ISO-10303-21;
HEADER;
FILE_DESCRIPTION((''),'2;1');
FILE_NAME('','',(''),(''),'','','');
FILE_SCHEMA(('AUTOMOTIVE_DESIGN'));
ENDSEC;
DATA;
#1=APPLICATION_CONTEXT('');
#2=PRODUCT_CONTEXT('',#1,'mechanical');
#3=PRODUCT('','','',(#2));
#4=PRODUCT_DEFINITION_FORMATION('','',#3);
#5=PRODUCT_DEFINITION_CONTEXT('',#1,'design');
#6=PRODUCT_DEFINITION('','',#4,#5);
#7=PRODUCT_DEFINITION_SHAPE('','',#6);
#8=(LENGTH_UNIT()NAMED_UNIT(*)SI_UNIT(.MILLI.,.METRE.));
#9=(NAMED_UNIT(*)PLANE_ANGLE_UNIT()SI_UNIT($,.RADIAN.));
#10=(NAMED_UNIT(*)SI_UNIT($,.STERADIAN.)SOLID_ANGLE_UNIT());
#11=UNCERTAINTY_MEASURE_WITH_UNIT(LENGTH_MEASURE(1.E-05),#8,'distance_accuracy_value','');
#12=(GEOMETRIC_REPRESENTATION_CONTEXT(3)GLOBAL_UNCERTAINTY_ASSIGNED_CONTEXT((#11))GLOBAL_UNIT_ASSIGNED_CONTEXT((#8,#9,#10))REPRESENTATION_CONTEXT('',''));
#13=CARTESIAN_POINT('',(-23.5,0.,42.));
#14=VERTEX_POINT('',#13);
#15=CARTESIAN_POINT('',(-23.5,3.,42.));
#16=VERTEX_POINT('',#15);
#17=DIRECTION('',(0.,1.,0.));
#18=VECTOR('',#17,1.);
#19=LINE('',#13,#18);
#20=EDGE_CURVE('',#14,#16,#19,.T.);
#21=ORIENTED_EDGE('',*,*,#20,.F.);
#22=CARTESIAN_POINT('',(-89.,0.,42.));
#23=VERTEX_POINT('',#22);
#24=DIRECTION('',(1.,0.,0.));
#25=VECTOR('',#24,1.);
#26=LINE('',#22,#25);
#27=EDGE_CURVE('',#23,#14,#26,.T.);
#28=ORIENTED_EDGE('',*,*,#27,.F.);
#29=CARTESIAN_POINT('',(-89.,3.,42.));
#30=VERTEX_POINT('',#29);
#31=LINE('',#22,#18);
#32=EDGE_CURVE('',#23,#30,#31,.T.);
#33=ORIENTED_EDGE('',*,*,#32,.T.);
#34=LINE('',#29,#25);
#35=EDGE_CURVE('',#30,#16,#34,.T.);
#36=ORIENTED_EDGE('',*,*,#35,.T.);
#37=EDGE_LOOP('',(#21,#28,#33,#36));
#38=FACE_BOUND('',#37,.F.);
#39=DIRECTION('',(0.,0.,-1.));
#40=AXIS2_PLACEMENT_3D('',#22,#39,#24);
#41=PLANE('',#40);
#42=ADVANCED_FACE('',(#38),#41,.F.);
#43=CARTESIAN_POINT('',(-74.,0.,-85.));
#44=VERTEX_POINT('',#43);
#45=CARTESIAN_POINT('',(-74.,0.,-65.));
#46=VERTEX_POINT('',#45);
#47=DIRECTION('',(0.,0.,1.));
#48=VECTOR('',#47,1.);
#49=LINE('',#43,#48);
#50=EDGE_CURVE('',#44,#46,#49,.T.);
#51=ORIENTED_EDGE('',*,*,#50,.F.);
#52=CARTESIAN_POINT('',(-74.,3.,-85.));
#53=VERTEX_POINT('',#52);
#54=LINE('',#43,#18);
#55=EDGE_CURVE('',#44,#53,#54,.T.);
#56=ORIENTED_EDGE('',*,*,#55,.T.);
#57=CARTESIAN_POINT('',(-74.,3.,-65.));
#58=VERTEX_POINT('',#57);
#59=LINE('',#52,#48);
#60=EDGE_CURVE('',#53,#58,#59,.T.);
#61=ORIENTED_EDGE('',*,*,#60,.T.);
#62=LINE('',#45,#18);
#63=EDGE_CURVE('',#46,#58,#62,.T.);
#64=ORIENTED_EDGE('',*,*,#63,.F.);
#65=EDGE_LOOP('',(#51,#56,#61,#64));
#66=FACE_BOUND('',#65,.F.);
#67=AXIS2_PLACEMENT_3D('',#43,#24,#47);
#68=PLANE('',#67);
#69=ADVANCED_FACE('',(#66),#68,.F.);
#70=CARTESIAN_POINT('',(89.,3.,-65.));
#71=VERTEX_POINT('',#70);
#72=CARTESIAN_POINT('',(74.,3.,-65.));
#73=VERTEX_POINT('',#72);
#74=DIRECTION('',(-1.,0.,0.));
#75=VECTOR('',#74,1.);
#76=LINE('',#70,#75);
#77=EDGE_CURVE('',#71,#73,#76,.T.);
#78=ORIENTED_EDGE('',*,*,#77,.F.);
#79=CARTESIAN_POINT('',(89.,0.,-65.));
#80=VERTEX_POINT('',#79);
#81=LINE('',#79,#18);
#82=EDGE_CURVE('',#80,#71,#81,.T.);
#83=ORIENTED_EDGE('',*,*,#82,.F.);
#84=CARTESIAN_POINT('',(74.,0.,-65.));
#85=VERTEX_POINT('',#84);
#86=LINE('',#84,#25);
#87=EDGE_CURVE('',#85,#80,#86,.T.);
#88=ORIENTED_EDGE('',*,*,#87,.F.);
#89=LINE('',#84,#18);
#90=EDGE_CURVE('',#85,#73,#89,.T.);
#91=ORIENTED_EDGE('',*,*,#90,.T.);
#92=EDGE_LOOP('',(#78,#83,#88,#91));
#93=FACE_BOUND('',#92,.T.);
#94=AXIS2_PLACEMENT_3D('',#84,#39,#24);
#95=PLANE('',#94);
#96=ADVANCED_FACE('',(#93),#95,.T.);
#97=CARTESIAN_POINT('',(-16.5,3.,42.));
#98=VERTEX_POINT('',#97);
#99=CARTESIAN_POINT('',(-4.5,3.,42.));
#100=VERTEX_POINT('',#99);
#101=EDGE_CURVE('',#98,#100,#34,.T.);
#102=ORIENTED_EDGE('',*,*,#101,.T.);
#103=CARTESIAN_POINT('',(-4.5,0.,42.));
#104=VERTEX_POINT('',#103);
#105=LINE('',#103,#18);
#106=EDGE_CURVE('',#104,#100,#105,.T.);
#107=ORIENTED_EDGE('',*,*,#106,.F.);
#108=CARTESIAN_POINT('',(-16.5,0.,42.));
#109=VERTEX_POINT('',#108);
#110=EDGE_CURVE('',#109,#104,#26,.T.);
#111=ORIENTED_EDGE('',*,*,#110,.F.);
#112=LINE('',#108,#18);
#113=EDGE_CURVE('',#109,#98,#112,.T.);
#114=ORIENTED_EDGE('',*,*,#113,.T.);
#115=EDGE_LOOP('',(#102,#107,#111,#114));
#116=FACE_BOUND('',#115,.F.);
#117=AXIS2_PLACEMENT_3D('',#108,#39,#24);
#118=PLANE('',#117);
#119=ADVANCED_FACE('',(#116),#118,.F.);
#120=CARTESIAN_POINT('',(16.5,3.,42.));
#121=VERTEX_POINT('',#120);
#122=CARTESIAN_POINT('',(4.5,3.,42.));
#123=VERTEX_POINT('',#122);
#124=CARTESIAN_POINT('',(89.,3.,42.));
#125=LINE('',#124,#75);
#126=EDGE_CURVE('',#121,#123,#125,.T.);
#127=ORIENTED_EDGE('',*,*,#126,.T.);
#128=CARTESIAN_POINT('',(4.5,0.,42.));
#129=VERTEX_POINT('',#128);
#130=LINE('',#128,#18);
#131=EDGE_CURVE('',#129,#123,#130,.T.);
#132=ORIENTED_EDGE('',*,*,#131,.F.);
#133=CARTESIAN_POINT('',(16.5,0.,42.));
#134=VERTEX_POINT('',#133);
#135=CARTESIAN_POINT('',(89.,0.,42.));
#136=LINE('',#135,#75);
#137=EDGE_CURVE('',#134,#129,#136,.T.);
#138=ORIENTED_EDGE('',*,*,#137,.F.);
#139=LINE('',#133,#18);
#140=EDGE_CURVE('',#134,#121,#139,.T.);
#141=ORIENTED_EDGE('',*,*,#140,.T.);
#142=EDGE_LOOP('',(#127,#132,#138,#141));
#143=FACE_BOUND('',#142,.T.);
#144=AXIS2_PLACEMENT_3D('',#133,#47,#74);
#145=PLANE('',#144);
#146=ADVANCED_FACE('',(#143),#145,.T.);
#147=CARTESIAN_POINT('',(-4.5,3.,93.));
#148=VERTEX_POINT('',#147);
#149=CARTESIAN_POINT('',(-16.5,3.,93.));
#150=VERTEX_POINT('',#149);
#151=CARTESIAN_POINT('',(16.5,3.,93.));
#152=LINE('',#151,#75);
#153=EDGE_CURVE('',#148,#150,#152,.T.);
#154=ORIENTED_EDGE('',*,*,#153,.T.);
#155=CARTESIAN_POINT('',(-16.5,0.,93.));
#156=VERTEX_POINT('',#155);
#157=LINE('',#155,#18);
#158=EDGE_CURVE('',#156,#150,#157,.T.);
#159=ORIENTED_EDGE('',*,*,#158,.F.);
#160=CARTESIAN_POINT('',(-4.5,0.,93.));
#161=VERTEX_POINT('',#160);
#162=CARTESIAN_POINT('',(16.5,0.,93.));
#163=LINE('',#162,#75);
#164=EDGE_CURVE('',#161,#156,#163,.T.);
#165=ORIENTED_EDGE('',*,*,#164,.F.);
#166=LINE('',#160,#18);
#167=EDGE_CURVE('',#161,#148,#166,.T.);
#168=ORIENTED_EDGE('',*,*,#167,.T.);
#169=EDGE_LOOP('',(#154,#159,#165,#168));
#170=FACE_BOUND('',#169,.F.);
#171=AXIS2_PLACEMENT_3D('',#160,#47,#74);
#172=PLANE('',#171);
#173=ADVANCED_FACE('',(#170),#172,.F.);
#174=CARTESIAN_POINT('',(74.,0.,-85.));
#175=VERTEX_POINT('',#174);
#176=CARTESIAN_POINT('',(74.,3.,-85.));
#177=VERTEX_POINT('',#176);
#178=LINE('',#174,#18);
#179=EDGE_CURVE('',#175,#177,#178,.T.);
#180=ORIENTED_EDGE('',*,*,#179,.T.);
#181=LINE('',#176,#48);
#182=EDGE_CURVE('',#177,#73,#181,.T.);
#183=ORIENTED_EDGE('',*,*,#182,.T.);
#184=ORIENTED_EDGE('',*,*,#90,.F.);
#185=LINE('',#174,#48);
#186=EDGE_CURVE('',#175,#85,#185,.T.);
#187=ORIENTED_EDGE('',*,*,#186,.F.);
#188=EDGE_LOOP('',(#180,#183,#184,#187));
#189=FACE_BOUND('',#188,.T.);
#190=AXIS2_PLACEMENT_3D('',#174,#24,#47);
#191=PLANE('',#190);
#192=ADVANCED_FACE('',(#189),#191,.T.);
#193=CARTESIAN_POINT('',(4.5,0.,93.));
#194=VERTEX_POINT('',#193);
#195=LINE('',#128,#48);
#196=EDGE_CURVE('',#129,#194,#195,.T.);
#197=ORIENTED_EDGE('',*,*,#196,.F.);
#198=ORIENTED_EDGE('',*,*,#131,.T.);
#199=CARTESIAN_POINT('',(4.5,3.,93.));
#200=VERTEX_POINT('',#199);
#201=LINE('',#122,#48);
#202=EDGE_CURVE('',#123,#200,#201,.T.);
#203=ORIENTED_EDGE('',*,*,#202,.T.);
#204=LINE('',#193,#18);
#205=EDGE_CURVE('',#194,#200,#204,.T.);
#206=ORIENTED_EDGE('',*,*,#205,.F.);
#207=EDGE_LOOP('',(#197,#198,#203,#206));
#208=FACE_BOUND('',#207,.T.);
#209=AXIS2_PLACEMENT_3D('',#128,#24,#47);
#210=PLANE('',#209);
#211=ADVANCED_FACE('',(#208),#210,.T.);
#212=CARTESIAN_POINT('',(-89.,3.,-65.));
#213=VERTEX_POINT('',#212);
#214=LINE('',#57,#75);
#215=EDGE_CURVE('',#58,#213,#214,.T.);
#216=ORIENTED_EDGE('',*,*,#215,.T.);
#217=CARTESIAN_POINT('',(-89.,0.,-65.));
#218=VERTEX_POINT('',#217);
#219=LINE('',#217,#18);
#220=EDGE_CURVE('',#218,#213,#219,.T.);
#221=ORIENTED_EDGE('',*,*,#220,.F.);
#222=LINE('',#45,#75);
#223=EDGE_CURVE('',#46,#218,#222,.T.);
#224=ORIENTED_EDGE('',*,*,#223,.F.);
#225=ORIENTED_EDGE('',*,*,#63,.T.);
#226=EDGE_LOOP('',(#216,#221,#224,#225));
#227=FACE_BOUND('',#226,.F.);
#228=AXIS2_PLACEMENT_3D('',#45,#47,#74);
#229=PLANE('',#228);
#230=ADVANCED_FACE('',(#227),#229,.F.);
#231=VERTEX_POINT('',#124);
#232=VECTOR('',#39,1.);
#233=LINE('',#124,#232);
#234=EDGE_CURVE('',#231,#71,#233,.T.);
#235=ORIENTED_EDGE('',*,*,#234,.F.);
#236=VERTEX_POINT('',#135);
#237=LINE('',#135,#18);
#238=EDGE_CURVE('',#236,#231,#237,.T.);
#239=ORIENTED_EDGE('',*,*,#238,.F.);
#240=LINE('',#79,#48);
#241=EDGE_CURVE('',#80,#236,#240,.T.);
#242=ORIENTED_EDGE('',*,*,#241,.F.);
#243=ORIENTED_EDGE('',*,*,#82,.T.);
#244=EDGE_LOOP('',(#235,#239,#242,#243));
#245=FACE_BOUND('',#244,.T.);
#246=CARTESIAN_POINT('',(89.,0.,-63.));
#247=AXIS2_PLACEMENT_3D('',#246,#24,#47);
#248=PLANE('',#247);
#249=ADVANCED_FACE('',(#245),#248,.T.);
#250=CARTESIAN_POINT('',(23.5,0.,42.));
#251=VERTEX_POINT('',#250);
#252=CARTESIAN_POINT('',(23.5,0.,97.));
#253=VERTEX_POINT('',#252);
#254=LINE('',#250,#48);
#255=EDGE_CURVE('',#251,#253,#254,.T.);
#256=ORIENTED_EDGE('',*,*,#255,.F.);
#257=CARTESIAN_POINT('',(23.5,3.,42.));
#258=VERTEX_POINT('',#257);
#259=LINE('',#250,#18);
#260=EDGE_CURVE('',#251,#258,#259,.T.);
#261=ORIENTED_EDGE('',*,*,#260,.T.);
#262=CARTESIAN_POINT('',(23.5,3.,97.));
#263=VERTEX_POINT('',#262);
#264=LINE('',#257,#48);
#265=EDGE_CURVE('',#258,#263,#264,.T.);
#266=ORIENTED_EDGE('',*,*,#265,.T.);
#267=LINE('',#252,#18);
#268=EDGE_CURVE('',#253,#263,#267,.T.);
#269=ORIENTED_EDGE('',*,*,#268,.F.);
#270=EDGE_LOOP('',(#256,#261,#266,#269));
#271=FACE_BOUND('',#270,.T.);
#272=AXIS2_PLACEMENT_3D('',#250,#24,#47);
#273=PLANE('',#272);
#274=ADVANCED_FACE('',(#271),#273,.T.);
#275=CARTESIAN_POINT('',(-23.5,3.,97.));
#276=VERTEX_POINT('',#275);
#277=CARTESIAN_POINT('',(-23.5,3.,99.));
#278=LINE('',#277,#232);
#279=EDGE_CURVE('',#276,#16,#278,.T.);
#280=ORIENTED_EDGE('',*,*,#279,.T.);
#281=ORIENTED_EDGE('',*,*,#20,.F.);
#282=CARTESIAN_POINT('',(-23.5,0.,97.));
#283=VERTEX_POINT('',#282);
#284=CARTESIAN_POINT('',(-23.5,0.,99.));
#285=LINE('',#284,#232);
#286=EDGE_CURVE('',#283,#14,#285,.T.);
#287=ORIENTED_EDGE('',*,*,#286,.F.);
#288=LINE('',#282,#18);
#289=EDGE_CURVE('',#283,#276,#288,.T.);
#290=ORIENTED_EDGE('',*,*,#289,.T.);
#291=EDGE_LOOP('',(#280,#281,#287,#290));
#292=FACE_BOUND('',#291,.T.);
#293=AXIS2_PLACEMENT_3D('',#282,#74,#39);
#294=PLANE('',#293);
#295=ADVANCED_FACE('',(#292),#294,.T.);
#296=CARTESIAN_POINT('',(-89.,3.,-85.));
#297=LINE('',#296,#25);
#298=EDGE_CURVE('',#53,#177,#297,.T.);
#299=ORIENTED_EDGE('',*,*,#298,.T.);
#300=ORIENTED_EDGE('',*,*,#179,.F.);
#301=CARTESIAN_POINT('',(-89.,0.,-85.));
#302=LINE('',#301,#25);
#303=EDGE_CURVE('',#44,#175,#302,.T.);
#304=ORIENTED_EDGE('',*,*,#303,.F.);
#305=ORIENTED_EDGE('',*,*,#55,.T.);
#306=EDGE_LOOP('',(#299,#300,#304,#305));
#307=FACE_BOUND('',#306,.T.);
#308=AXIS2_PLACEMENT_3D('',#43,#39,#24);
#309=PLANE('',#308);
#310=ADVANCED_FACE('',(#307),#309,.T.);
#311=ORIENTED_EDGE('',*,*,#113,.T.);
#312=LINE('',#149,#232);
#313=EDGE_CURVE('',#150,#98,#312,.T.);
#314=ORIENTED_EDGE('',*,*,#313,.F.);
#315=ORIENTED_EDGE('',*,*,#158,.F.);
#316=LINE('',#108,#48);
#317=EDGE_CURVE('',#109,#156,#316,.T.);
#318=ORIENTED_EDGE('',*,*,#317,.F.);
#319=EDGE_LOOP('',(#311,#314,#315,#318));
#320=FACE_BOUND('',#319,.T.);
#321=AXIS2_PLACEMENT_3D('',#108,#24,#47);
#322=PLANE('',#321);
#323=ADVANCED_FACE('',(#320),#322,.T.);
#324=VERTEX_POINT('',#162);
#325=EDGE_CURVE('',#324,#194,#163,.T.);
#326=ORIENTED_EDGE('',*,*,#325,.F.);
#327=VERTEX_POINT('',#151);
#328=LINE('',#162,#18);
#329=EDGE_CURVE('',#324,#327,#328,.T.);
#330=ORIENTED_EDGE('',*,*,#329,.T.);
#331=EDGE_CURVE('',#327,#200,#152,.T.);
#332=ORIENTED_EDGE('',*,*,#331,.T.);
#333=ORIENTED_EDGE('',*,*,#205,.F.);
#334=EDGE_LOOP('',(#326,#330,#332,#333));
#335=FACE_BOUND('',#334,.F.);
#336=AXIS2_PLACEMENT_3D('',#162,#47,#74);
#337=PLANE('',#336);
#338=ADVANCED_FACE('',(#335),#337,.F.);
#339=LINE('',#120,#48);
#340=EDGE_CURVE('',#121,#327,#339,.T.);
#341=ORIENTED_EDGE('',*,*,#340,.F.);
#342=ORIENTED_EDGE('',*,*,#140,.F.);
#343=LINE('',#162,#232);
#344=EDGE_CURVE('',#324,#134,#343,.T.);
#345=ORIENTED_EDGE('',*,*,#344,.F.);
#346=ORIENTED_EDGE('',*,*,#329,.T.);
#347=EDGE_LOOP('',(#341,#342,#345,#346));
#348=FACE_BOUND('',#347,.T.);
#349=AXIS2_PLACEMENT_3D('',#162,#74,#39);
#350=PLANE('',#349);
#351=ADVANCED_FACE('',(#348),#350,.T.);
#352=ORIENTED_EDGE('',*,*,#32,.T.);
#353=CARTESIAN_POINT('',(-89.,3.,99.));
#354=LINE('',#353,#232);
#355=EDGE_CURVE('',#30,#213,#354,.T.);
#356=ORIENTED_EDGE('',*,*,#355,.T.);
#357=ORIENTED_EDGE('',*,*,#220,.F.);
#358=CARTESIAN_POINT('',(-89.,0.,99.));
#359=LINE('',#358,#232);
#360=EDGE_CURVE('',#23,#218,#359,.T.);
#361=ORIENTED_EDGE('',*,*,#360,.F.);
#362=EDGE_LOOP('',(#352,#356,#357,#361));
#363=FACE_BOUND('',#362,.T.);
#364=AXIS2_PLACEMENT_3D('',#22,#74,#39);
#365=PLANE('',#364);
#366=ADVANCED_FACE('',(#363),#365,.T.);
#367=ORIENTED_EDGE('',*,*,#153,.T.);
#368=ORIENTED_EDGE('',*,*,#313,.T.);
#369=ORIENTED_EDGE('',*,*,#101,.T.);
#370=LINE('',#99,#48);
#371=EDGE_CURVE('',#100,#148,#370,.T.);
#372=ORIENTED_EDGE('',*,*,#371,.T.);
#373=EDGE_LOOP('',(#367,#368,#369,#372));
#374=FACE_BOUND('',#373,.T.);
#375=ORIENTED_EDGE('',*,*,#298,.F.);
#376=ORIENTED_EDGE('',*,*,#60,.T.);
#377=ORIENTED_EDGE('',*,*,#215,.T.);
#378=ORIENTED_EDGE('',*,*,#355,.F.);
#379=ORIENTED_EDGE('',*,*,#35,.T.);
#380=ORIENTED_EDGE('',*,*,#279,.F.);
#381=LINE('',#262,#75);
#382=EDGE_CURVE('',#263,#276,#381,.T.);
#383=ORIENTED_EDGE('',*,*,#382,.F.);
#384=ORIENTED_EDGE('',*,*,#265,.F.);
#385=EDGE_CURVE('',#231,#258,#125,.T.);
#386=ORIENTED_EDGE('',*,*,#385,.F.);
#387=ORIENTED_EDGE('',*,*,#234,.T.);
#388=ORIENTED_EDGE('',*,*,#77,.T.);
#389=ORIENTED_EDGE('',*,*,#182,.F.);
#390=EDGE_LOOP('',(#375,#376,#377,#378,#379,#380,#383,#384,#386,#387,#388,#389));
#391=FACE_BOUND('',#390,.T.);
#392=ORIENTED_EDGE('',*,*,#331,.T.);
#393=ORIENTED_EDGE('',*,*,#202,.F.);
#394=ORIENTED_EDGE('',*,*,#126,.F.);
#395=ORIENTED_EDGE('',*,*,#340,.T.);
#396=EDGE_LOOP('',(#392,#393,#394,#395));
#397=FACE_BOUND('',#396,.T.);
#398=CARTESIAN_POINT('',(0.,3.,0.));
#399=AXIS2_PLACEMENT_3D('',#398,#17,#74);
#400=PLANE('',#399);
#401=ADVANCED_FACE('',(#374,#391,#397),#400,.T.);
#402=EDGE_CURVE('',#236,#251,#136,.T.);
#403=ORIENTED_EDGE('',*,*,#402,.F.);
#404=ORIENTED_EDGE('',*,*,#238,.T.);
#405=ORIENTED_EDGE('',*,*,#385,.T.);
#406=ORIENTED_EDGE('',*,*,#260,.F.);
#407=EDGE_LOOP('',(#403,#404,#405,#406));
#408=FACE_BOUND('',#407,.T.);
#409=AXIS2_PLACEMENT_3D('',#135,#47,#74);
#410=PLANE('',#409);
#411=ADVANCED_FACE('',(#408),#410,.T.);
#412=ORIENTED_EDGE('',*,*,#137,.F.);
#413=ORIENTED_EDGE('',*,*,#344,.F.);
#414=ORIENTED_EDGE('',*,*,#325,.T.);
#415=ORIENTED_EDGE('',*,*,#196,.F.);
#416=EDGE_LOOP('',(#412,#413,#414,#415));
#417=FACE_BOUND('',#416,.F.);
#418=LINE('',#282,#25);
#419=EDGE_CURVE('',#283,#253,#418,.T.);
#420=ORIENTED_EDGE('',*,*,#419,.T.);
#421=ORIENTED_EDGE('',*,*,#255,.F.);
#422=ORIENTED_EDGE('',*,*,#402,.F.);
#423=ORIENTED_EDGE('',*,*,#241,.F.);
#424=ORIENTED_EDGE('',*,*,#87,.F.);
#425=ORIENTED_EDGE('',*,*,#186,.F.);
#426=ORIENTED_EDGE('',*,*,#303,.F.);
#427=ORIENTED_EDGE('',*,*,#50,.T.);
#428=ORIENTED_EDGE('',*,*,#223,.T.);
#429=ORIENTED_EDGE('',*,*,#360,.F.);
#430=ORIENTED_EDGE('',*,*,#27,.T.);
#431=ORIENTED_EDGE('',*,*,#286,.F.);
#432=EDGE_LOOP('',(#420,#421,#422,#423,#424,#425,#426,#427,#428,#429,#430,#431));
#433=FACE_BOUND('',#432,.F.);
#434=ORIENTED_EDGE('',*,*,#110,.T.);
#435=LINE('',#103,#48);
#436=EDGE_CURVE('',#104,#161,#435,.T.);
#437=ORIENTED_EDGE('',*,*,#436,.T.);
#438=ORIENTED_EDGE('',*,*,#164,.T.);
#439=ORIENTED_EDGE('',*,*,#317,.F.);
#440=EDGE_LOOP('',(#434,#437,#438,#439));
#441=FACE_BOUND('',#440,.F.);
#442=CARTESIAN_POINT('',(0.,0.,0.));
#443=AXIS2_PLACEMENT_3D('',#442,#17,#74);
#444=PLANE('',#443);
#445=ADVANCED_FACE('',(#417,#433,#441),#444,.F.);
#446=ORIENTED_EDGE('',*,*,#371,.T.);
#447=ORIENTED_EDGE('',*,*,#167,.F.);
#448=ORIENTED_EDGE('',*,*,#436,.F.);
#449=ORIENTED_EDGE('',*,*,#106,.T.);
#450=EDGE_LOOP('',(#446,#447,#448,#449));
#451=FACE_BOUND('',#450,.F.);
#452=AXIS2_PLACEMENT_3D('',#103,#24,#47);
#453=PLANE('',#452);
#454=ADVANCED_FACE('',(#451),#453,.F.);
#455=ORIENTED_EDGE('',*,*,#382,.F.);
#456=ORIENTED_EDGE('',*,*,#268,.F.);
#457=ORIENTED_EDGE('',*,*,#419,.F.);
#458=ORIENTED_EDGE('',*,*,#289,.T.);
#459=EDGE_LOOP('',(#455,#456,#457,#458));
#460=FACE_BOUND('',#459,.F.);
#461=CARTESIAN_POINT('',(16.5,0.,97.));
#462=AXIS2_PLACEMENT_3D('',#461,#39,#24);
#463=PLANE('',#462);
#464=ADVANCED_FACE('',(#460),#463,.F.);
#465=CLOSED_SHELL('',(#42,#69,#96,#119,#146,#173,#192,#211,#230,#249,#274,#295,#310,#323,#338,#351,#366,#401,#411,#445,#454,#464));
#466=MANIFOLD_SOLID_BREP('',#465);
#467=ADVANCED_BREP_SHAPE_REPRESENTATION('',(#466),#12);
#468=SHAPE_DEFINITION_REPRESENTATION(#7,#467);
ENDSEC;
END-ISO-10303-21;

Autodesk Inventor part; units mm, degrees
ref_plane "YZ Plane" through (0, 0, 0) normal (1, 0, 0) x (0, 1, 0)
ref_plane "XZ Plane" through (0, 0, 0) normal (0, 1, 0) x (-1, 0, 0)
ref_plane "XY Plane" through (0, 0, 0) normal (0, 0, 1) x (1, 0, 0)
sketch "Sketch2" plane through (0, 0, 0) normal (0, 1, 0) x (-1, 0, 0)
  line L0 (-89, 99) -> (89, 99)
  line L1 (89, 99) -> (89, -99)
  line L2 (89, -99) -> (-89, -99)
  line L3 (-89, -99) -> (-89, 99)
  line L4 (-89, 99) -> (89, -99) construction
  line L5 (89, 99) -> (-89, -99) construction
  line L6 (-89, 99) -> (89, 99)
  line L7 (89, 99) -> (89, -85)
  line L8 (89, -85) -> (-89, -85)
  line L9 (-89, -85) -> (-89, 99)
  line L10 (-4.5, 99) -> (-89, 99)
  line L11 (-89, 99) -> (-89, 42)
  line L12 (-89, 42) -> (-4.5, 42)
  line L13 (-4.5, 42) -> (-4.5, 99)
  line L14 (4.5, 99) -> (89, 99)
  line L15 (89, 99) -> (89, 42)
  line L16 (89, 42) -> (4.5, 42)
  line L17 (4.5, 42) -> (4.5, 99)
  line L18 (22.5, 77.5) -> (22.5, 66.5) projected
  line L19 (16.5, 66.5) -> (16.5, 77.5) projected
  line L20 (-22.5, 66.5) -> (-22.5, 77.5) projected
  line L21 (-16.5, 77.5) -> (-16.5, 66.5) projected
  line L22 (-23.5, 99) -> (-16.5, 99)
  line L23 (-16.5, 99) -> (-16.5, 42)
  line L24 (-16.5, 42) -> (-23.5, 42)
  line L25 (-23.5, 42) -> (-23.5, 99)
  line L26 (16.5, 99) -> (23.5, 99)
  line L27 (23.5, 99) -> (23.5, 42)
  line L28 (23.5, 42) -> (16.5, 42)
  line L29 (16.5, 42) -> (16.5, 99)
  line L30 (-89, 99) -> (89, 99)
  line L31 (89, 99) -> (89, 97)
  line L32 (89, 97) -> (-89, 97)
  line L33 (-89, 97) -> (-89, 99)
  line L34 (89, -85) -> (74, -85)
  line L35 (74, -85) -> (74, -65)
  line L36 (74, -65) -> (89, -65)
  line L37 (89, -65) -> (89, -85)
  line L38 (-89, -85) -> (-74, -85)
  line L39 (-74, -85) -> (-74, -65)
  line L40 (-74, -65) -> (-89, -65)
  line L41 (-89, -65) -> (-89, -85)
  line L42 (16.5, 97) -> (-16.5, 97)
  line L43 (-16.5, 97) -> (-16.5, 93)
  line L44 (-16.5, 93) -> (16.5, 93)
  line L45 (16.5, 93) -> (16.5, 97)
  line L46 (-84.4, -75) -> (-84.4, -71.5) projected
  line L47 (-84.4, -71.5) -> (-87, -71.5) projected
  line L48 (-87, -71.5) -> (-87, -75) projected
  line L49 (-87, -75) -> (-84.4, -75) projected
  line L50 (-79.6, -75) -> (-77, -75) projected
  line L51 (-77, -75) -> (-77, -71.5) projected
  line L52 (-77, -71.5) -> (-79.6, -71.5) projected
  line L53 (-79.6, -71.5) -> (-79.6, -75) projected
  line L54 (-75, -78) -> (-89, -78) projected
  line L55 (-89, -78) -> (-89, -63) projected
  line L56 (-89, -63) -> (-75, -63) projected
  line L57 (-75, -63) -> (-75, -78) projected
  circle A0 centre (-80.45, -67.25) radius 1.25 projected
  point P0 (0, 0)
  point P1 (4.5, 99)
  point P2 (-4.5, 99)
  point P3 (-89, 42)
  point P4 (89, 42)
  point P5 (4.5, 97)
  point P6 (-4.5, 97)
  point P7 (-16.5, 97)
  point P8 (-23.5, 97)
  point P9 (23.5, 97)
  point P10 (16.5, 98)
  point P11 (-4.5, 93)
  point P12 (4.5, 93)
  point P13 (16.5, 93)
  dimension "d8" = 178
  dimension "d9" = 198
  dimension "d10" = 14
  dimension "d11" = 84.5
  dimension "d13" = 84.5
  dimension "d17" = 9
  dimension "d18" = 2
  dimension "d19" = 15
  dimension "d20" = 20
  dimension "d21" = 15
  dimension "d22" = 20
  dimension "d75" = 55
  dimension "d76" = 55
  dimension "d77" = 7
  dimension "d78" = 7
  dimension "d79" = 4
extrude "Extrusion2" add sketch "Sketch2" along normal blind 3 contours L32 L23 L21 L12 L25 | L12 L13 L44 L17 L16 L1 L36 L35 L8 L39 L40 L57 L56 L3 | L32 L13 L44 L23 | L56 L57 L40 L3 | L32 L17 L44 L13 | L32 L29 L44 L17 | L32 L27 L16 L29 L19
equation "\"d11\" = d13"
properties part number "base" material "Aluminum 6061"
